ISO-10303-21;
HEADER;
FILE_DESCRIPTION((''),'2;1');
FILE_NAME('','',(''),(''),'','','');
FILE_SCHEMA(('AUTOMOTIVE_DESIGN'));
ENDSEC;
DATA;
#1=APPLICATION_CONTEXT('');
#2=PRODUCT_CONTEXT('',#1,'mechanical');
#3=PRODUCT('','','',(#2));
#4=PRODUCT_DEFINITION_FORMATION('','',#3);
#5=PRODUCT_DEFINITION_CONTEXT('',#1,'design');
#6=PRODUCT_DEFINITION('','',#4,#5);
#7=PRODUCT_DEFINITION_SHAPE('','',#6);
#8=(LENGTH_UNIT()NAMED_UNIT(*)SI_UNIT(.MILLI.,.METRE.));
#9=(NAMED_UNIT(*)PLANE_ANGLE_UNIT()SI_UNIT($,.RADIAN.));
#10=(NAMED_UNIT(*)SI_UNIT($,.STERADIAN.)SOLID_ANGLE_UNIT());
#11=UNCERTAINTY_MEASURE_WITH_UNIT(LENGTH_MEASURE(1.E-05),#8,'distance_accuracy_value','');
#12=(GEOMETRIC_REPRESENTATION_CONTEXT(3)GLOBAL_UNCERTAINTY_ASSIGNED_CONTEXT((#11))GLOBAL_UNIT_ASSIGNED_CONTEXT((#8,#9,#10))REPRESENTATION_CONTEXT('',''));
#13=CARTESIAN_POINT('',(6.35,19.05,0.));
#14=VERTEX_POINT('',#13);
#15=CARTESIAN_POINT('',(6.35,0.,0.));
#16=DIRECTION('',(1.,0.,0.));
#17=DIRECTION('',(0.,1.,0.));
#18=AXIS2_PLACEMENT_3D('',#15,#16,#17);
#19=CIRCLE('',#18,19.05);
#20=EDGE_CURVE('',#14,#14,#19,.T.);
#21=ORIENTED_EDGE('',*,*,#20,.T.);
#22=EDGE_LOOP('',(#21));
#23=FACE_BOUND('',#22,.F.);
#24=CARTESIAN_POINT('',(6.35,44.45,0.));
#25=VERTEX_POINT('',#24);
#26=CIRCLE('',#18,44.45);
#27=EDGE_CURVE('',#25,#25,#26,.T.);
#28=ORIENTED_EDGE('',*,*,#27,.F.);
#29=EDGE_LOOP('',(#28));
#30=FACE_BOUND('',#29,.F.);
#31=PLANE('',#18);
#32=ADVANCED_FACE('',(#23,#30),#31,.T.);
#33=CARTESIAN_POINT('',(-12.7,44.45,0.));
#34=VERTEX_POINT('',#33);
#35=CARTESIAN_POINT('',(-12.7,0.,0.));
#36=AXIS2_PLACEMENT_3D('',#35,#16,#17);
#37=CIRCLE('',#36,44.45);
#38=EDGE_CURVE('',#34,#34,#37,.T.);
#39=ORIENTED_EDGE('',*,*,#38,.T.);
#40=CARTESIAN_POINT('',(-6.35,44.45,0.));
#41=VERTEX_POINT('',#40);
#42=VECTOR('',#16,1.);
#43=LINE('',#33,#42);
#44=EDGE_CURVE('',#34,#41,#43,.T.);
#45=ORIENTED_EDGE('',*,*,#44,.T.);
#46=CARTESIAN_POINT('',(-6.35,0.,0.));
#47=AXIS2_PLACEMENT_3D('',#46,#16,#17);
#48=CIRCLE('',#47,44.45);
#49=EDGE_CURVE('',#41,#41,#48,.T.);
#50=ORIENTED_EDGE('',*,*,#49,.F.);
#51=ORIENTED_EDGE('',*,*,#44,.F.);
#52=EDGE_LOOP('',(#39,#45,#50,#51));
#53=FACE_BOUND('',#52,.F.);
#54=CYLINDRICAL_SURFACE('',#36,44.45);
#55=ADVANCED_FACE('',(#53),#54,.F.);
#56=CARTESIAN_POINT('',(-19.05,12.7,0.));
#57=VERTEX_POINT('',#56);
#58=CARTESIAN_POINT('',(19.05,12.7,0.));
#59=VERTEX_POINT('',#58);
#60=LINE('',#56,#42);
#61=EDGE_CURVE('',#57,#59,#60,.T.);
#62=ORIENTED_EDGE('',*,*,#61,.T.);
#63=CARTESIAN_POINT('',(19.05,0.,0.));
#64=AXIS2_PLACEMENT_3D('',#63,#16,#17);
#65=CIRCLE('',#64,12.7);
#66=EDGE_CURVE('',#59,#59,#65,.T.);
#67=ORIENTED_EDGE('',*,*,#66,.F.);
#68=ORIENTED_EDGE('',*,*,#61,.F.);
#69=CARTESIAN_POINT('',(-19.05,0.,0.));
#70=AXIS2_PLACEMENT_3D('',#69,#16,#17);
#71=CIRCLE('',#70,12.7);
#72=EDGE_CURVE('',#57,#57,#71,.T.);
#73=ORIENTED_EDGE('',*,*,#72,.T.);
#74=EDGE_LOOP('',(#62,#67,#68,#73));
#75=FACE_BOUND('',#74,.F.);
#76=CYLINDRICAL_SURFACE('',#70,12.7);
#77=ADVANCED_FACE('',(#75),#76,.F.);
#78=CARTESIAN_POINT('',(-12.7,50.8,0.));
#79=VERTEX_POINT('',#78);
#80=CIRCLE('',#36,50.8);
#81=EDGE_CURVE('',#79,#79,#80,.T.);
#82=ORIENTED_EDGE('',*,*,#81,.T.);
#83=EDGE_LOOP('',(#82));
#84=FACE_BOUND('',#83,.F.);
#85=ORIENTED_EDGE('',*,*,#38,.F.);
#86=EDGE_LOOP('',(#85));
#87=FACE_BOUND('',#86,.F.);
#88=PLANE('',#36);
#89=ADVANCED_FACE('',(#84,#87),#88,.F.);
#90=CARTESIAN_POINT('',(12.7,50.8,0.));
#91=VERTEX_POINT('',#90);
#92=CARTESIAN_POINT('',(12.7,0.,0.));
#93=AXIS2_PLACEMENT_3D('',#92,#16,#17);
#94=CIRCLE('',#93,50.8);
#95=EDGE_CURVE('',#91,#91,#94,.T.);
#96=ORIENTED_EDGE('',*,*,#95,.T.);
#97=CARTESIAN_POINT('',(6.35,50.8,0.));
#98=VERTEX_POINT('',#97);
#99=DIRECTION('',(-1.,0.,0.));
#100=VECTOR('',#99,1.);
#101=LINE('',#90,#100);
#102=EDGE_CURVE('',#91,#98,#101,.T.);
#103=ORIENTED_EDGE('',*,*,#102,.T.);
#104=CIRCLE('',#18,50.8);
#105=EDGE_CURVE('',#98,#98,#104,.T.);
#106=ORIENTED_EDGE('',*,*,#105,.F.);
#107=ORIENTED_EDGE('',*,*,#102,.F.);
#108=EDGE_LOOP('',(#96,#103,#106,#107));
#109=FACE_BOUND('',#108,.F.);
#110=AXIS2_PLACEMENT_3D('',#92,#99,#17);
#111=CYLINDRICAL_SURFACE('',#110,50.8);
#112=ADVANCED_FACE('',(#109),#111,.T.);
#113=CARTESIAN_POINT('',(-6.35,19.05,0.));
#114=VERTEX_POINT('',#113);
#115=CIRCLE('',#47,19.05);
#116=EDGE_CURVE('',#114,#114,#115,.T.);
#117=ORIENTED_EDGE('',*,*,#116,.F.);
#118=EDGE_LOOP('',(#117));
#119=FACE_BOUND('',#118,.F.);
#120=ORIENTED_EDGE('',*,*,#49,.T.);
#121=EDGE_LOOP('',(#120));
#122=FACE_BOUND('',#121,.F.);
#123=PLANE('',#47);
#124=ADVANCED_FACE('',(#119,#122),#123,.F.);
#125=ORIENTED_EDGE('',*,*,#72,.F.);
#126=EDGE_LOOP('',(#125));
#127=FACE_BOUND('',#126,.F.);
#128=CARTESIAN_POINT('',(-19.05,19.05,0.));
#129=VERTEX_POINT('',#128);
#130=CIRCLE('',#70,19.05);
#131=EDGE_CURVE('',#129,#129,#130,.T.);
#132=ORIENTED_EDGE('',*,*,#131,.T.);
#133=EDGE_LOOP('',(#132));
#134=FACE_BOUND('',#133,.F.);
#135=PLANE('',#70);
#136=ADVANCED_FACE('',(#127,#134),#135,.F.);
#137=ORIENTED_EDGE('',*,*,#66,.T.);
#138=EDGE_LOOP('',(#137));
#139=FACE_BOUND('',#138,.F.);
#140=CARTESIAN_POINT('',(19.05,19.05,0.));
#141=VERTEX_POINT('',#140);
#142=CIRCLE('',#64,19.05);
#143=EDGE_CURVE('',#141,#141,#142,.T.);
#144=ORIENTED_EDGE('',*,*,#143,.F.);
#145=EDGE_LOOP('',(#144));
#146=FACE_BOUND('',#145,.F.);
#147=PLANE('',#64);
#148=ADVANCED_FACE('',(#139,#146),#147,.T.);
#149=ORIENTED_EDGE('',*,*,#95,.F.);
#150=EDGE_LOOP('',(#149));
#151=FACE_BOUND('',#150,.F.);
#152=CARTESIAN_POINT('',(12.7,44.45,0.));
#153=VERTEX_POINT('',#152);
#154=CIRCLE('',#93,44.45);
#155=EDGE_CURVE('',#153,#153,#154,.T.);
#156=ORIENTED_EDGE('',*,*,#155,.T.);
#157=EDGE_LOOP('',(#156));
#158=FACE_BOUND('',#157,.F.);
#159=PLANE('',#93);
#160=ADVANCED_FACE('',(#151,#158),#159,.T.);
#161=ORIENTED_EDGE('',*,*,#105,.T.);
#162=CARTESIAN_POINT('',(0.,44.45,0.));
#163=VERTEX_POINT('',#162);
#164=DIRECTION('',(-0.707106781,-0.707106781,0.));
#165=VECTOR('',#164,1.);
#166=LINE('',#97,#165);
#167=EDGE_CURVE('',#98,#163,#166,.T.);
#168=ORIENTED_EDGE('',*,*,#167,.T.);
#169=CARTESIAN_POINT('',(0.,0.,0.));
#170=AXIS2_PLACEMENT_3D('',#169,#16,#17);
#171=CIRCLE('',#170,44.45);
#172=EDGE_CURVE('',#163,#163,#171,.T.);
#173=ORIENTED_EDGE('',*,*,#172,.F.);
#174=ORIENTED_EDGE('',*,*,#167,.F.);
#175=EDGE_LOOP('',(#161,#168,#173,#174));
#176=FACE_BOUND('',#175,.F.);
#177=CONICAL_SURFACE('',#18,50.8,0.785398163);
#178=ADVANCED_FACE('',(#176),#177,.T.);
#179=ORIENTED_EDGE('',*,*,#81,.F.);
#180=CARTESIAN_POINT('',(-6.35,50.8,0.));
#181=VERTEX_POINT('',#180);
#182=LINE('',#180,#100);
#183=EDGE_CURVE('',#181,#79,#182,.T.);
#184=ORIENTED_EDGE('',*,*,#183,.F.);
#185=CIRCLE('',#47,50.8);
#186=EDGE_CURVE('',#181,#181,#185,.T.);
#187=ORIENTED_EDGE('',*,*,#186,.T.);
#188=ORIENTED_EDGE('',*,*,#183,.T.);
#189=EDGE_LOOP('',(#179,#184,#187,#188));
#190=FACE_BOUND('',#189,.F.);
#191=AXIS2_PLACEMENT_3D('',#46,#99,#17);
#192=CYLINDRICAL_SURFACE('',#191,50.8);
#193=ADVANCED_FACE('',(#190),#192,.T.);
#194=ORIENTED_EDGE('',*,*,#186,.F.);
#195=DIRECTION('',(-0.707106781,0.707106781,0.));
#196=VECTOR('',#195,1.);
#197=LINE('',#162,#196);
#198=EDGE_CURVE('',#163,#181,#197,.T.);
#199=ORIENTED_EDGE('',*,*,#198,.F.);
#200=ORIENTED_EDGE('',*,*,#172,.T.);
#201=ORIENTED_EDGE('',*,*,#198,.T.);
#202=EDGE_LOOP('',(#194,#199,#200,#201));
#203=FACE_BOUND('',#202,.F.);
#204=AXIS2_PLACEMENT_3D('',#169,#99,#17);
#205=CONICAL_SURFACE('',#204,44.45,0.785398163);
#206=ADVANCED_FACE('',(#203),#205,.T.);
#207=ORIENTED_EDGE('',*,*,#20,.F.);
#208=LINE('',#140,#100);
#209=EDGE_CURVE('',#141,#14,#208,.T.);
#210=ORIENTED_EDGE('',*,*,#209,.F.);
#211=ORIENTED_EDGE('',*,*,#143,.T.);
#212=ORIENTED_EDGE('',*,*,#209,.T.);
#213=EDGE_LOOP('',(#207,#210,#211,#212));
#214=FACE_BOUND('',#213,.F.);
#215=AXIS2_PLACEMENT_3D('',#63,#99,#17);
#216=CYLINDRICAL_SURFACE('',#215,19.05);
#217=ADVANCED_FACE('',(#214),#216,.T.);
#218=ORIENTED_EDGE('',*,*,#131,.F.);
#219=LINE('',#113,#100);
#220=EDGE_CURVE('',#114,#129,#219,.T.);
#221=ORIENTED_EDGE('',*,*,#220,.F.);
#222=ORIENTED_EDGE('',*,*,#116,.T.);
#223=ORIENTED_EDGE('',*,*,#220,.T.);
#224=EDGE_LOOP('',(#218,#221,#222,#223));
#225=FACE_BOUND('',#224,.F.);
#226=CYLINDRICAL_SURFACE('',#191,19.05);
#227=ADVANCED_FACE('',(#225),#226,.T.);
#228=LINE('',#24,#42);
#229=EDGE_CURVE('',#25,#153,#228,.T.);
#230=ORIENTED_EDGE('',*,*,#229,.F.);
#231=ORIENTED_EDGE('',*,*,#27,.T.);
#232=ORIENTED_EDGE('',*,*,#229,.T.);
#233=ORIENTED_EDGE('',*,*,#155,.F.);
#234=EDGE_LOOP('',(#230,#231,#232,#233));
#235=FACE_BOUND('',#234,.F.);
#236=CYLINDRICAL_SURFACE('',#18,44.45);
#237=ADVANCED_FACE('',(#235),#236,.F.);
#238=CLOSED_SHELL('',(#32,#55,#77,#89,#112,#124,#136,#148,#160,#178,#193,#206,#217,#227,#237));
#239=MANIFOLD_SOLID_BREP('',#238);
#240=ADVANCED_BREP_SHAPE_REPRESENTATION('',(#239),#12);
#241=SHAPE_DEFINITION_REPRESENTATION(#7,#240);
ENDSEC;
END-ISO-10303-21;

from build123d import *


with BuildPart() as part:
    # Sketch1 → Revolve1 (revolve)
    with BuildSketch(Plane.XY):
        Polygon((-19.05, 12.7), (19.05, 12.7), (19.05, 19.05), (6.35, 19.05), (6.35, 44.45), (12.7, 44.45), (12.7, 50.8), (6.35, 50.8), (0, 44.45), (-6.35, 50.8), (-12.7, 50.8), (-12.7, 44.45), (-6.35, 44.45), (-6.35, 19.05), (-19.05, 19.05), align=None)
    revolve(axis=Axis((-487.032527769, 0, 0), (1, 0, 0)))


solid = part.part
